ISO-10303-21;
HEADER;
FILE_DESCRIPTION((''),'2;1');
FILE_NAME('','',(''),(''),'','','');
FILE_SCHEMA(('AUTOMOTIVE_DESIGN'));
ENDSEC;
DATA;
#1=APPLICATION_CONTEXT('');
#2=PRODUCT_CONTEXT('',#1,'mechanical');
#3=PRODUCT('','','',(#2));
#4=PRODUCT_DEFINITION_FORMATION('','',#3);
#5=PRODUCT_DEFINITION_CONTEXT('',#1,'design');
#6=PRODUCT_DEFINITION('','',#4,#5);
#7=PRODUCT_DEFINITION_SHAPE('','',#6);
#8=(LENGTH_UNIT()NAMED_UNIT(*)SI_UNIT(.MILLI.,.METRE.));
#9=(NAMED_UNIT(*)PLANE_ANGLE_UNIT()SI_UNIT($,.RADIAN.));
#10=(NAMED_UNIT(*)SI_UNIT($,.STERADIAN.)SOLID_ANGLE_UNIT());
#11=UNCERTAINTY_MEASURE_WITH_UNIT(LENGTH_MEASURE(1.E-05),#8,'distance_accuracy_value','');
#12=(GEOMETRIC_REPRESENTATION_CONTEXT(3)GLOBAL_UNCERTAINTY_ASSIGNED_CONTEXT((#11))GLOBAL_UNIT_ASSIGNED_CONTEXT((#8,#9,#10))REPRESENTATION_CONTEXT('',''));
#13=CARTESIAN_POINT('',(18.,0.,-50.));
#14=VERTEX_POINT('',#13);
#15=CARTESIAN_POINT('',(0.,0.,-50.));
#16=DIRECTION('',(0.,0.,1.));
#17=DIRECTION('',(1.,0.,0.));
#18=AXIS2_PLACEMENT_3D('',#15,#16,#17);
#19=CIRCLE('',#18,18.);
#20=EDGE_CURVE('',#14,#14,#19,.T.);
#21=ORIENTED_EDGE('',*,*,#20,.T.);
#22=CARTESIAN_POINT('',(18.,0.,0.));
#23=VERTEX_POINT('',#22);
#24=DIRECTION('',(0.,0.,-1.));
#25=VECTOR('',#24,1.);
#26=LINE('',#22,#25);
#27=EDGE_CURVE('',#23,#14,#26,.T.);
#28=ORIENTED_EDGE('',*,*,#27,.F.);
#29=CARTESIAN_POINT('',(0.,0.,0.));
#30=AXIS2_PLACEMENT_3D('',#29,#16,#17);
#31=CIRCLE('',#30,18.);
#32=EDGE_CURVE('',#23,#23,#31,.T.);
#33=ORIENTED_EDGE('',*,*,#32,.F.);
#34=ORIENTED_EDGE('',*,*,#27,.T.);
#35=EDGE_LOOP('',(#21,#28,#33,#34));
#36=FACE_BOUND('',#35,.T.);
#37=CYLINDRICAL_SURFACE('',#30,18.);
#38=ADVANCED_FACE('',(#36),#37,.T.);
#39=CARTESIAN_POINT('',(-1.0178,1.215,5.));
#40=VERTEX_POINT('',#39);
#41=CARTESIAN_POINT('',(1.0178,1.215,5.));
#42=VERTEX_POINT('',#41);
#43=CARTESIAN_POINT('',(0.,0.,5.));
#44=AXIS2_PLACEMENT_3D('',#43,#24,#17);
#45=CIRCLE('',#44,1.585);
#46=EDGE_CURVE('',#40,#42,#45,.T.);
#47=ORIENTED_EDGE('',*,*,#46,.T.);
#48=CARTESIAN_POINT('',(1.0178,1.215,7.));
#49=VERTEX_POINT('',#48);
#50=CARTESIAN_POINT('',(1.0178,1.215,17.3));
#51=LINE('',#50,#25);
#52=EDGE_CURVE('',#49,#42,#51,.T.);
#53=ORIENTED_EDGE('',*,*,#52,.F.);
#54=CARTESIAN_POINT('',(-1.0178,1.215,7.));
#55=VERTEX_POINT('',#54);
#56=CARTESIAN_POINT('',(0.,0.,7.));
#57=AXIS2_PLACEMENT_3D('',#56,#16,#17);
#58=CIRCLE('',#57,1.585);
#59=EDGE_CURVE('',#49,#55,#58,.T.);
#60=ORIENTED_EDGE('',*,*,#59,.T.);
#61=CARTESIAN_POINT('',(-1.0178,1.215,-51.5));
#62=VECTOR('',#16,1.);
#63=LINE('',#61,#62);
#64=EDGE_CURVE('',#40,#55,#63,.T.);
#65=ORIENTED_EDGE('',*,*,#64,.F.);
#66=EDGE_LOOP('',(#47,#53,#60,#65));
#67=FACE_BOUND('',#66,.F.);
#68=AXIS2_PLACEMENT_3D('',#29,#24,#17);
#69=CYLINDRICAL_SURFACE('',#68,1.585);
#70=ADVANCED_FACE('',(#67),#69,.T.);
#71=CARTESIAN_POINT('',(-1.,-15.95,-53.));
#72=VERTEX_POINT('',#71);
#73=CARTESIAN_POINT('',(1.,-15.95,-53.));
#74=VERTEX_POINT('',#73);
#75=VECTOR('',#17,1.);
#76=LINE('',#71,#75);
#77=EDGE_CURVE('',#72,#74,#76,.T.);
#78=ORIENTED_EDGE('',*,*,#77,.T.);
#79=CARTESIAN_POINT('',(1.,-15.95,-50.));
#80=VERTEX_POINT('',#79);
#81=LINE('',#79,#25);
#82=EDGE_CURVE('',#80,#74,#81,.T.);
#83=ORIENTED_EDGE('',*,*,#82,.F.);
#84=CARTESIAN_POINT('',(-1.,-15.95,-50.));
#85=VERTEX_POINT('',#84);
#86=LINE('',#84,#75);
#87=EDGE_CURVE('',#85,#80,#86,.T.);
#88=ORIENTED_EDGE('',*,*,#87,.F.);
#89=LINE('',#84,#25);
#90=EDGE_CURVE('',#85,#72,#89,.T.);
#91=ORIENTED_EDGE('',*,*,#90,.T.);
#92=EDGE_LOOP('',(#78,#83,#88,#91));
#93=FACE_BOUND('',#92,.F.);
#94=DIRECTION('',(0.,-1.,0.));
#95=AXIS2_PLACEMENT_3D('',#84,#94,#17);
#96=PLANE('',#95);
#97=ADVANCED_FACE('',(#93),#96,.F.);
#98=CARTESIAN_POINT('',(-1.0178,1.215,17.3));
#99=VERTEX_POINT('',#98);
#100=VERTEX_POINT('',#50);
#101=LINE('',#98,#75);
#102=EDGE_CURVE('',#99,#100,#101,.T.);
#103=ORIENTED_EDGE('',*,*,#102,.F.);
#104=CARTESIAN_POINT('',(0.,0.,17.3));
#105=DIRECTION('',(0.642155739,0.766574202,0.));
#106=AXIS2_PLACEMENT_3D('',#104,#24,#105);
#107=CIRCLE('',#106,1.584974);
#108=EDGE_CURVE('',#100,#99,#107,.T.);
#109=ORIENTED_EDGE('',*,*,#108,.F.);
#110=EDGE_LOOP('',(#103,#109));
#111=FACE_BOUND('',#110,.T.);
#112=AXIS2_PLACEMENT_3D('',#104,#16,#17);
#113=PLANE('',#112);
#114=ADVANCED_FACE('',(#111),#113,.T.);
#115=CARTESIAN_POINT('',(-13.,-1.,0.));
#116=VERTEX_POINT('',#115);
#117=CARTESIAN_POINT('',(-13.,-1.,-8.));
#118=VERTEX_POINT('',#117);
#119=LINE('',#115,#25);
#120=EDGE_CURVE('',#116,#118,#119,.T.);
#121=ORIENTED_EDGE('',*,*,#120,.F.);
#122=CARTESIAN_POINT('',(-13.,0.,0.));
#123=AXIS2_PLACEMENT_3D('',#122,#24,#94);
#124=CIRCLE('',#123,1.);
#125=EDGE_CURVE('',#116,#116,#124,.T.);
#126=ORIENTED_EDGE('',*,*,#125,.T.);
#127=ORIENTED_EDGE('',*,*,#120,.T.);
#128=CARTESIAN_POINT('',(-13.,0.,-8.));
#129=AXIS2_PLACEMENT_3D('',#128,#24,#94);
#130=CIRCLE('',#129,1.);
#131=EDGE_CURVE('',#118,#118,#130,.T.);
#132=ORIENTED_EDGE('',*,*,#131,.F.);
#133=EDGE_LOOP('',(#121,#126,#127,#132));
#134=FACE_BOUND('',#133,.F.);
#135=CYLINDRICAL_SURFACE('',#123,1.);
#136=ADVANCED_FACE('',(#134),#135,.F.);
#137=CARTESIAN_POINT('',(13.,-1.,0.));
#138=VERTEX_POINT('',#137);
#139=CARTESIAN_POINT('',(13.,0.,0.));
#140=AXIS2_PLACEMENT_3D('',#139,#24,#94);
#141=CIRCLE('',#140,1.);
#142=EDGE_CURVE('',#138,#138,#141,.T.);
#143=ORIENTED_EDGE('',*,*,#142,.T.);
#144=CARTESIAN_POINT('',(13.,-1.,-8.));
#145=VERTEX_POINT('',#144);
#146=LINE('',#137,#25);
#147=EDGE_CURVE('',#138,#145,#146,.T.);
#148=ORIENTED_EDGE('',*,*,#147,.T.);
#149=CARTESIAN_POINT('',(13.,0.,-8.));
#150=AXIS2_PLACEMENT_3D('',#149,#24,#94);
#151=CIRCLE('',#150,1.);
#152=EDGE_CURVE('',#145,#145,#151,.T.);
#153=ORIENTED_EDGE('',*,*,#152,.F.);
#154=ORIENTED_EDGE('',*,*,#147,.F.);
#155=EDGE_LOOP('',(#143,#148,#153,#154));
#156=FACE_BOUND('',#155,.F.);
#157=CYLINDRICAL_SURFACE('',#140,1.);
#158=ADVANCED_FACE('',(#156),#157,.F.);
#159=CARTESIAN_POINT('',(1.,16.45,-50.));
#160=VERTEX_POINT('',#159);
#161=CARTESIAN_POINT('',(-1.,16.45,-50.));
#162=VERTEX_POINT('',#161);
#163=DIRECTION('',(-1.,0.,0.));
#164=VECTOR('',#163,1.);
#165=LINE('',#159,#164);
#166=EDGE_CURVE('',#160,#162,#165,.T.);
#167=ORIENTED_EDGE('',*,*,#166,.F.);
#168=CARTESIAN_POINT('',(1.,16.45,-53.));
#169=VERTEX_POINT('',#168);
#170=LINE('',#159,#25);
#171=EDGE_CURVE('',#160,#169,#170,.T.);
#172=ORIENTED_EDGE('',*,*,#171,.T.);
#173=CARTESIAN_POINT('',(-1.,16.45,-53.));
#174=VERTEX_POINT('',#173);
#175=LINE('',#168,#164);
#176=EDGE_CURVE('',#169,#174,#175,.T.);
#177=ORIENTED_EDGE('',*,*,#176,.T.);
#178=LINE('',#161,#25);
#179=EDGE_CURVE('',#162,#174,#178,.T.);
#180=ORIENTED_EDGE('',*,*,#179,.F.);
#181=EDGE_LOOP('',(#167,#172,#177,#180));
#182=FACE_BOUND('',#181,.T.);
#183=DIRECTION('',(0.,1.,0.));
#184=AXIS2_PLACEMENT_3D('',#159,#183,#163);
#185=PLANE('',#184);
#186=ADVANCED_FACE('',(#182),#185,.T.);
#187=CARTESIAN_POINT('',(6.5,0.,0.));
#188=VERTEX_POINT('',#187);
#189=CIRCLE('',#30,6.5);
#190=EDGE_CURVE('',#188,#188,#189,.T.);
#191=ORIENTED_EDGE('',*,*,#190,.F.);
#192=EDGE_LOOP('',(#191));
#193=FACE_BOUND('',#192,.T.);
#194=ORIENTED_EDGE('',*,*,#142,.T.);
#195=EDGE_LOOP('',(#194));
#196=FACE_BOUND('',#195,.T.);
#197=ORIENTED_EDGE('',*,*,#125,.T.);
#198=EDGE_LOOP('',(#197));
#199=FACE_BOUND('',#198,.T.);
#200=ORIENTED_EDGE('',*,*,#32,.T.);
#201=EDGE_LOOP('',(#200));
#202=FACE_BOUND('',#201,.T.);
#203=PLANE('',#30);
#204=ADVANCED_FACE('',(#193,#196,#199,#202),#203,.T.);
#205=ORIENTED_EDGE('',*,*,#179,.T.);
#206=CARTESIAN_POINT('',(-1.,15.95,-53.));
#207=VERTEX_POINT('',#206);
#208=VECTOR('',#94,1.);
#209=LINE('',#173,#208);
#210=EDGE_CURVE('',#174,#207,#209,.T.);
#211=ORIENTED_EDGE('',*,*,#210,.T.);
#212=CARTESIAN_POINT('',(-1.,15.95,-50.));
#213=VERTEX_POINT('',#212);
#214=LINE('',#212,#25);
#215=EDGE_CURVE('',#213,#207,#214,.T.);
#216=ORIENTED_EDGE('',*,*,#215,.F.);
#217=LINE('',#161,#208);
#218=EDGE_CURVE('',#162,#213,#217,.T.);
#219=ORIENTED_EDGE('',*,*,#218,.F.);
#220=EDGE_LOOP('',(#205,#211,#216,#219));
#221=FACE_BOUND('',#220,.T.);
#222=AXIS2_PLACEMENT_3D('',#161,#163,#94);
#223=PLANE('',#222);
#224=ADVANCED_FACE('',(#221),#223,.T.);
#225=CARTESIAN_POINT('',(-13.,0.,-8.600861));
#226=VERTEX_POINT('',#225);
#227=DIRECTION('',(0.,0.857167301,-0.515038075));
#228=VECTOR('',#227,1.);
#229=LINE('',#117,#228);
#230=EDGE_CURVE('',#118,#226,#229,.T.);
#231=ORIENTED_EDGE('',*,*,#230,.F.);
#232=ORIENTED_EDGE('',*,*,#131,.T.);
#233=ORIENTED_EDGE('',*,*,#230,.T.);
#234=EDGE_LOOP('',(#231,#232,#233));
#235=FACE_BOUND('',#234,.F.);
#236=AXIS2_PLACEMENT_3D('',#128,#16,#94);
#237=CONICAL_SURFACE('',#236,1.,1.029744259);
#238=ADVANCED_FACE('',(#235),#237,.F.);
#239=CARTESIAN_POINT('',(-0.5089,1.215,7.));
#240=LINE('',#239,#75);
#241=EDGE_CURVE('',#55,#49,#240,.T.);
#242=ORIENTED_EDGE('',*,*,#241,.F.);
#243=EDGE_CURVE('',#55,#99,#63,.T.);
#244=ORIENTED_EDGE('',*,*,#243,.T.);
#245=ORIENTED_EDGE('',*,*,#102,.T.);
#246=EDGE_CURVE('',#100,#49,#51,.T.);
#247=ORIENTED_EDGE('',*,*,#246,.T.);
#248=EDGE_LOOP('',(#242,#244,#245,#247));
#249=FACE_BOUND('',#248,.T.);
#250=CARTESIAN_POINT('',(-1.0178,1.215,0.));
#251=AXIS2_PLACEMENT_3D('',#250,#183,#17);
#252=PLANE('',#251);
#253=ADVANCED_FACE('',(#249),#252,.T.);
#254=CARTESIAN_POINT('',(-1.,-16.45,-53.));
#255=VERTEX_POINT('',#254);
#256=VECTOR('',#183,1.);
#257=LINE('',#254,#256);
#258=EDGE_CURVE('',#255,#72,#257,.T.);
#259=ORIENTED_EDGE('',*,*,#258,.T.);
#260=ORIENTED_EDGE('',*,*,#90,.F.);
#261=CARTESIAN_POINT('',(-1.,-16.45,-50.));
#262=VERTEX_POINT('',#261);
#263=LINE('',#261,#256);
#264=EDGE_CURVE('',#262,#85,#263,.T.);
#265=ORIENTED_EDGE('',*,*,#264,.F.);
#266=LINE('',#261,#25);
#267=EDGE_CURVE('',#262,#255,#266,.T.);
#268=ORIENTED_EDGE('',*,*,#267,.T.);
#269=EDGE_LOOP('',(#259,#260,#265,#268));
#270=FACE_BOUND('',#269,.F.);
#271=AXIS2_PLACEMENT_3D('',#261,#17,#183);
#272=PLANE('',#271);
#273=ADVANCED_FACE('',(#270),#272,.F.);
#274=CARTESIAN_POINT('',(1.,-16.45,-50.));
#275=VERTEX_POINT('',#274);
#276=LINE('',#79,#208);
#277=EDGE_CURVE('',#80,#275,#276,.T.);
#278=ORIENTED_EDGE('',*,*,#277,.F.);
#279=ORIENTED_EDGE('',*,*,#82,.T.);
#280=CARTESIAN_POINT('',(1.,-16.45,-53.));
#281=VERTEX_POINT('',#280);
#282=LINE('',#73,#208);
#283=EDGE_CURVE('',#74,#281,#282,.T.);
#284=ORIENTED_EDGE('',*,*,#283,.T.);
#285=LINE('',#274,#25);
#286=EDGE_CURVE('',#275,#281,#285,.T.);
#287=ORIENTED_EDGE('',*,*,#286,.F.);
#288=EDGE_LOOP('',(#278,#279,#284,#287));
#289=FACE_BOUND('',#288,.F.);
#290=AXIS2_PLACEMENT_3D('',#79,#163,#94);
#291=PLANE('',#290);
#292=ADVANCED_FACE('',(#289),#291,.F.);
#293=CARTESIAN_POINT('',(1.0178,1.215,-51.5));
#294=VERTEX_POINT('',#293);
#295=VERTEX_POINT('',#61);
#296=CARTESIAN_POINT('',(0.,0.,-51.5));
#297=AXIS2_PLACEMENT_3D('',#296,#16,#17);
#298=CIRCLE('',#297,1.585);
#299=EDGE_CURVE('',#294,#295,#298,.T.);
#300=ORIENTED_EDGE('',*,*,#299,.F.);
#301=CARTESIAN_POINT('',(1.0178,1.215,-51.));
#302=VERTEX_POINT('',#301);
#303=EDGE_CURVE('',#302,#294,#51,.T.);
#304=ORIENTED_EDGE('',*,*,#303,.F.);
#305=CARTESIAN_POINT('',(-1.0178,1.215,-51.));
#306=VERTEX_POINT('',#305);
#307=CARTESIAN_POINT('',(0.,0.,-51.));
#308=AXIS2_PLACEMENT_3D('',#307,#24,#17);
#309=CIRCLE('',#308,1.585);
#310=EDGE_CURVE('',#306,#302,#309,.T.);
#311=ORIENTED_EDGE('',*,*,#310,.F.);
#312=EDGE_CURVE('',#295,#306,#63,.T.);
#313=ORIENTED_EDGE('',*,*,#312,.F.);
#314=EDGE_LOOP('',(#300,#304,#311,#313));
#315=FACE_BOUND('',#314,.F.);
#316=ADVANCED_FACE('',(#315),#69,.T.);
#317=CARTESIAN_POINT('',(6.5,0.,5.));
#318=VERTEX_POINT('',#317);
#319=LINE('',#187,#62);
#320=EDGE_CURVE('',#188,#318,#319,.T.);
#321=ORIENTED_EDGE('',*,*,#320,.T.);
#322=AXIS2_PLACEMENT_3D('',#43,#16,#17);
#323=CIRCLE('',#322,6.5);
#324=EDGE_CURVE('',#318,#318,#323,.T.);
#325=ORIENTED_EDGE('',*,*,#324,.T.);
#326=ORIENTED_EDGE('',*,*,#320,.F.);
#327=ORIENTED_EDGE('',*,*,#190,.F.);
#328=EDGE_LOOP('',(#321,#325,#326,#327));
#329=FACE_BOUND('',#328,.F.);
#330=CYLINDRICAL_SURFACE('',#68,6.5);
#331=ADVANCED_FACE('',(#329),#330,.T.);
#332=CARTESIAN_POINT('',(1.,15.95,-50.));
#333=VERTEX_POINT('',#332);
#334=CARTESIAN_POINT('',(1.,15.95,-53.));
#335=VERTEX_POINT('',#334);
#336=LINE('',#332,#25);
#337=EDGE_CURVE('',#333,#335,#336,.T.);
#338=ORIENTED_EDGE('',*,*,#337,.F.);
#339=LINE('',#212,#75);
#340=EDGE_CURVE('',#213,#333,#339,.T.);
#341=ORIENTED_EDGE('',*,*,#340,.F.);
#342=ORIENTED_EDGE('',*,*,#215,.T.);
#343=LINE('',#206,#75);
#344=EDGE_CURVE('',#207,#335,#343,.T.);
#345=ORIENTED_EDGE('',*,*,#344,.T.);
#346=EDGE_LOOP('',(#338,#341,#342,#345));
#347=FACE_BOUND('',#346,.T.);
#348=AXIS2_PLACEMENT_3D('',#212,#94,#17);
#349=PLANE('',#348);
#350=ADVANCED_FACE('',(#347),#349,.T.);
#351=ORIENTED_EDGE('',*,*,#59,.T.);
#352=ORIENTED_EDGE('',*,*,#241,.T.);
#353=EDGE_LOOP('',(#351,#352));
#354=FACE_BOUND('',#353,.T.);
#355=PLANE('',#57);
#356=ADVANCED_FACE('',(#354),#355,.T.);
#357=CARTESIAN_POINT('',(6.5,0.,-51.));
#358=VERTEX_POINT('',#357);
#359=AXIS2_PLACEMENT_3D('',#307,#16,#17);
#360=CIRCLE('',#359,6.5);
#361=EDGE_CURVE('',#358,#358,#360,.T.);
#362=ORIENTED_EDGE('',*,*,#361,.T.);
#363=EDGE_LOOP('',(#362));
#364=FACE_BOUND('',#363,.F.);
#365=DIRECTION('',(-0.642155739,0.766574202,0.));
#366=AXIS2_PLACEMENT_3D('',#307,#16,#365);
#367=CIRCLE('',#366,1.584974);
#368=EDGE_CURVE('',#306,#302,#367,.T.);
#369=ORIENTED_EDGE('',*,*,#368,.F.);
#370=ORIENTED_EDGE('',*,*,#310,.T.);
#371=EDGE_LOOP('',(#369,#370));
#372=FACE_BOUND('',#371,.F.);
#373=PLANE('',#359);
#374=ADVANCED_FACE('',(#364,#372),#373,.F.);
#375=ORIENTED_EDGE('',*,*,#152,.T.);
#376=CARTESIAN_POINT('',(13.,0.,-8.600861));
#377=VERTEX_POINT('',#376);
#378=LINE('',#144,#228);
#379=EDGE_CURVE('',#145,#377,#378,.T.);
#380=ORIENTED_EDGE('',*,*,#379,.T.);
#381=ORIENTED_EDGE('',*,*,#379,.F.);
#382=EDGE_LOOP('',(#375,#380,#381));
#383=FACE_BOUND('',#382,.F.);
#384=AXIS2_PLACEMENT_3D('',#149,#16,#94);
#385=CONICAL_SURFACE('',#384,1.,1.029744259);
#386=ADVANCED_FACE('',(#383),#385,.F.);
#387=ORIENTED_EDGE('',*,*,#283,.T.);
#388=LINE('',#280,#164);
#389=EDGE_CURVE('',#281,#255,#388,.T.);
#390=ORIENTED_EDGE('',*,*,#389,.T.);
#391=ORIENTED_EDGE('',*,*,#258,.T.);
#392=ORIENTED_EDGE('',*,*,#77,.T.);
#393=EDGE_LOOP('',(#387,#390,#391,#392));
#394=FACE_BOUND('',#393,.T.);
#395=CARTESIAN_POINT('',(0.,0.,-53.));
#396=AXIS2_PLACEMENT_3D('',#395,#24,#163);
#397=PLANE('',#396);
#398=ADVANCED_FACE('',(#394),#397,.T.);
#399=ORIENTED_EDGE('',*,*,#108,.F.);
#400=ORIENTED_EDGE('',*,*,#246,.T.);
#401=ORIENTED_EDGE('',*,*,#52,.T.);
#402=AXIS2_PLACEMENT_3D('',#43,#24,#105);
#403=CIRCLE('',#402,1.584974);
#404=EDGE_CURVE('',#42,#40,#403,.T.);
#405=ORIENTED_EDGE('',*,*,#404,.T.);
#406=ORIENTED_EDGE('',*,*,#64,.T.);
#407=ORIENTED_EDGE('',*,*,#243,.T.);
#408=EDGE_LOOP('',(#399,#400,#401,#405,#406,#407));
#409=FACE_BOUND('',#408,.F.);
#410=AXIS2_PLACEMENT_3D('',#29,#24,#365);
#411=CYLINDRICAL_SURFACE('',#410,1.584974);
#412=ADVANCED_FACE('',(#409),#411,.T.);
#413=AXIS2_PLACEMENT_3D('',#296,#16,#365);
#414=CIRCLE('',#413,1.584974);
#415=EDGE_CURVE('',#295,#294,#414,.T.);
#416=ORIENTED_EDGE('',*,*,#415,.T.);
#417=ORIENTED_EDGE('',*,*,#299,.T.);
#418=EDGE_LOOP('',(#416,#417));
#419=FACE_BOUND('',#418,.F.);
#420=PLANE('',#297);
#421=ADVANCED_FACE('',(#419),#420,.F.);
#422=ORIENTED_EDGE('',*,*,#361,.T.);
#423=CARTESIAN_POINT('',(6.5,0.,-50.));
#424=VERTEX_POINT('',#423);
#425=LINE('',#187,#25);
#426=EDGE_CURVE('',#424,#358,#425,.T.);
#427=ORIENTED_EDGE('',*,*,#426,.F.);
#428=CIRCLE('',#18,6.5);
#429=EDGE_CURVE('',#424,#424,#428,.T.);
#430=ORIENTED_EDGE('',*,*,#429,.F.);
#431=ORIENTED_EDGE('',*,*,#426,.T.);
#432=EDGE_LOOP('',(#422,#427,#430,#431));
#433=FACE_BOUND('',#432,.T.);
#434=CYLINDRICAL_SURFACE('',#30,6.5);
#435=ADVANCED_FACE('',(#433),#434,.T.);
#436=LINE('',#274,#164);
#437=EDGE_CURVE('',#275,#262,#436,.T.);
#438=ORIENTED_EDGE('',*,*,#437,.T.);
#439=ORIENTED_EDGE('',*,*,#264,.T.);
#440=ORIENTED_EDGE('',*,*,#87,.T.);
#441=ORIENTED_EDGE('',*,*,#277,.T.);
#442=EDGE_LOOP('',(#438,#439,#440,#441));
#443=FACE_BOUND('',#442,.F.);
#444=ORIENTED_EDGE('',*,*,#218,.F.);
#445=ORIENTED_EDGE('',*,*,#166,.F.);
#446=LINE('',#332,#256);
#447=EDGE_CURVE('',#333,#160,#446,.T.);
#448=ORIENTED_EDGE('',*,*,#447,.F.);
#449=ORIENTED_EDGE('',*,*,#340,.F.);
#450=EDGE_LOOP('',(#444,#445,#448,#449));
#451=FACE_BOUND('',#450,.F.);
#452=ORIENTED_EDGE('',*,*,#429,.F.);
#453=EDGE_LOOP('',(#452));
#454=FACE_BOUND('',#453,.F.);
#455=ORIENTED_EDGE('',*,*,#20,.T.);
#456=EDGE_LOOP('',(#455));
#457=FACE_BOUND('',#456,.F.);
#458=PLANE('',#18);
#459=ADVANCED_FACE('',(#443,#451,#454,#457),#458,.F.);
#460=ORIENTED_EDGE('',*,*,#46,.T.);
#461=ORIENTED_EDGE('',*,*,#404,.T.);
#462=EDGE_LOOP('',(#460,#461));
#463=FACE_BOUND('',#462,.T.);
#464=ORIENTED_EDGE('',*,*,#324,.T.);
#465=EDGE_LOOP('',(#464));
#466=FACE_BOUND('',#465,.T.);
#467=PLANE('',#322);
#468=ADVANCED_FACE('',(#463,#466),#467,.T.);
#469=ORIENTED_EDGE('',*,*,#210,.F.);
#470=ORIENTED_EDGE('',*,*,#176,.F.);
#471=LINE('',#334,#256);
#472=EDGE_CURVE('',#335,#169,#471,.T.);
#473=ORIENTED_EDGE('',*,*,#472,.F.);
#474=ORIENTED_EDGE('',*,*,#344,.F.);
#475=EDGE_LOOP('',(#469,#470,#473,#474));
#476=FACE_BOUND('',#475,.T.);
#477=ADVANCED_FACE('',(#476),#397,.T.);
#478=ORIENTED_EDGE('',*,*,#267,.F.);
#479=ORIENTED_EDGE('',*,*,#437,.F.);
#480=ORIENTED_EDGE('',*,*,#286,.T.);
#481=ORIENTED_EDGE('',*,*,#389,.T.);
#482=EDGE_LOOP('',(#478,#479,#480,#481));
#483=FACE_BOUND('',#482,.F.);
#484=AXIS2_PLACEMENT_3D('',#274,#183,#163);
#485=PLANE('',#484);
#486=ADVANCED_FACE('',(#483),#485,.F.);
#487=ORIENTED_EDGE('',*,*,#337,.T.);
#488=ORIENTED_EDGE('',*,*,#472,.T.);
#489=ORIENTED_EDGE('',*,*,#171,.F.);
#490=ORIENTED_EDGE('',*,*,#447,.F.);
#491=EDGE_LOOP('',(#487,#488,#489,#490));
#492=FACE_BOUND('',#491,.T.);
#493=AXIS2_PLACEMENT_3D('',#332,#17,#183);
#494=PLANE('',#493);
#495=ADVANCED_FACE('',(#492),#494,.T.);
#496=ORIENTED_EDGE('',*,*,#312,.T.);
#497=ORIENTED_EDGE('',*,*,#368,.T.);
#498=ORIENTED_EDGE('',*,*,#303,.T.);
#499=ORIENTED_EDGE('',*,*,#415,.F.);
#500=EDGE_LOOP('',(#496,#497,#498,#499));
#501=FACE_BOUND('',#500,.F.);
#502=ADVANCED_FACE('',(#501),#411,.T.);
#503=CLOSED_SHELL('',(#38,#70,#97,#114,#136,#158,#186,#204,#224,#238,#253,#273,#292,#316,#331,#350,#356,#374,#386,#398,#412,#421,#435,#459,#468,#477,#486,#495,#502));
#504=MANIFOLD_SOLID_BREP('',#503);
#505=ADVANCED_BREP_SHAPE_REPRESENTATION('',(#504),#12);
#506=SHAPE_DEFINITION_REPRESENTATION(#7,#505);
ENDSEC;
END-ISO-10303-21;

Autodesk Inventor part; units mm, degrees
ref_plane "YZ Plane" through (0, 0, 0) normal (1, 0, 0) x (0, 1, 0)
ref_plane "XZ Plane" through (0, 0, 0) normal (0, 1, 0) x (-1, 0, 0)
ref_plane "XY Plane" through (0, 0, 0) normal (0, 0, 1) x (1, 0, 0)
sketch "Sketch1" plane through (0, 0, 0) normal (0, 0, 1) x (1, 0, 0)
  circle A0 centre (0, 0) radius 18
  circle A1 centre (0, 0) radius 6.5
  arc A2 (-1.0178, 1.215) -> (1.0178, 1.215) centre (0, 0) ccw
  line L0 (-1.585, 0) -> (1.585, 0)
  line L1 (-1.0178, 1.215) -> (1.0178, 1.215)
  circle A3 centre (13, 0) radius 1
  line L2 (0, -18) -> (0, 18) construction
  circle A4 centre (-13, 0) radius 1
  circle A5 centre (0, 0) radius 1.585
  point P0 (1.0178, 1.215)
  point P1 (-1.0178, 1.215)
  dimension "d0" = 36
  dimension "d1" = 13
  dimension "d2" = 3.17
  dimension "d3" = 1.215
  dimension "d4" = 13
  dimension "d5" = 2
  dimension "d6" = 13
  dimension "d7" = 2
  dimension "d36" = 3.17
extrude "Extrusion1" add sketch "Sketch1" along normal blind 17.3 and the other way blind 51.5 contours L1 A2 L0 | L0 A2
extrude "Extrusion2" add sketch "Sketch1" along normal blind 5 and the other way blind 51 contours A1 | A5 L1
extrude "Extrusion3" add sketch "Sketch1" against normal blind 50 contours A0 | A3 | A4
hole "Hole2" at (0, 0, 0) at (13, 0, 0) at (-13, 0, 0) direction (0, 0, -1) diameter 2 depth 8 tip angle 118
thread "Thread1" size "M2x0.4" class "6H" standard "ANSI Metric M Profile" full length
thread "Thread2" size "M2x0.4" class "6H" standard "ANSI Metric M Profile" full length
extrude "Extrusion4" add sketch "Sketch1" along normal blind 7 and the other way blind 51.5 contours L1 A2 L0 | A5 L1 | L0 A2
sketch "Sketch2" plane through (0, 0, -50) normal (0, 0, -1) x (-1, 0, 0)
  line L0 (-1, 16.45) -> (1, 16.45)
  line L1 (1, 16.45) -> (1, 15.95)
  line L2 (1, 15.95) -> (-1, 15.95)
  line L3 (-1, 15.95) -> (-1, 16.45)
  line L4 (-1, 16.45) -> (1, 15.95) construction
  line L5 (1, 16.45) -> (-1, 15.95) construction
  line L6 (0, 0) -> (0, 18) construction
  circle A0 centre (0, 0) radius 18 projected
  line L7 (0, 0) -> (-18, 0) construction
  line L8 (-1, -16.45) -> (1, -16.45)
  line L9 (1, -16.45) -> (1, -15.95)
  line L10 (1, -15.95) -> (-1, -15.95)
  line L11 (-1, -15.95) -> (-1, -16.45)
  line L12 (-1, -16.45) -> (1, -15.95) construction
  line L13 (1, -16.45) -> (-1, -15.95) construction
  point P0 (0, 16.2)
  point P1 (0, -16.2)
  dimension "d41" = 2
  dimension "d42" = 0.5
extrude "Extrusion5" add sketch "Sketch2" along normal blind 3 contours L0 L1 L2 L3 | L11 L10 L9 L8
properties part number "Motor" material "Stainless Steel"
